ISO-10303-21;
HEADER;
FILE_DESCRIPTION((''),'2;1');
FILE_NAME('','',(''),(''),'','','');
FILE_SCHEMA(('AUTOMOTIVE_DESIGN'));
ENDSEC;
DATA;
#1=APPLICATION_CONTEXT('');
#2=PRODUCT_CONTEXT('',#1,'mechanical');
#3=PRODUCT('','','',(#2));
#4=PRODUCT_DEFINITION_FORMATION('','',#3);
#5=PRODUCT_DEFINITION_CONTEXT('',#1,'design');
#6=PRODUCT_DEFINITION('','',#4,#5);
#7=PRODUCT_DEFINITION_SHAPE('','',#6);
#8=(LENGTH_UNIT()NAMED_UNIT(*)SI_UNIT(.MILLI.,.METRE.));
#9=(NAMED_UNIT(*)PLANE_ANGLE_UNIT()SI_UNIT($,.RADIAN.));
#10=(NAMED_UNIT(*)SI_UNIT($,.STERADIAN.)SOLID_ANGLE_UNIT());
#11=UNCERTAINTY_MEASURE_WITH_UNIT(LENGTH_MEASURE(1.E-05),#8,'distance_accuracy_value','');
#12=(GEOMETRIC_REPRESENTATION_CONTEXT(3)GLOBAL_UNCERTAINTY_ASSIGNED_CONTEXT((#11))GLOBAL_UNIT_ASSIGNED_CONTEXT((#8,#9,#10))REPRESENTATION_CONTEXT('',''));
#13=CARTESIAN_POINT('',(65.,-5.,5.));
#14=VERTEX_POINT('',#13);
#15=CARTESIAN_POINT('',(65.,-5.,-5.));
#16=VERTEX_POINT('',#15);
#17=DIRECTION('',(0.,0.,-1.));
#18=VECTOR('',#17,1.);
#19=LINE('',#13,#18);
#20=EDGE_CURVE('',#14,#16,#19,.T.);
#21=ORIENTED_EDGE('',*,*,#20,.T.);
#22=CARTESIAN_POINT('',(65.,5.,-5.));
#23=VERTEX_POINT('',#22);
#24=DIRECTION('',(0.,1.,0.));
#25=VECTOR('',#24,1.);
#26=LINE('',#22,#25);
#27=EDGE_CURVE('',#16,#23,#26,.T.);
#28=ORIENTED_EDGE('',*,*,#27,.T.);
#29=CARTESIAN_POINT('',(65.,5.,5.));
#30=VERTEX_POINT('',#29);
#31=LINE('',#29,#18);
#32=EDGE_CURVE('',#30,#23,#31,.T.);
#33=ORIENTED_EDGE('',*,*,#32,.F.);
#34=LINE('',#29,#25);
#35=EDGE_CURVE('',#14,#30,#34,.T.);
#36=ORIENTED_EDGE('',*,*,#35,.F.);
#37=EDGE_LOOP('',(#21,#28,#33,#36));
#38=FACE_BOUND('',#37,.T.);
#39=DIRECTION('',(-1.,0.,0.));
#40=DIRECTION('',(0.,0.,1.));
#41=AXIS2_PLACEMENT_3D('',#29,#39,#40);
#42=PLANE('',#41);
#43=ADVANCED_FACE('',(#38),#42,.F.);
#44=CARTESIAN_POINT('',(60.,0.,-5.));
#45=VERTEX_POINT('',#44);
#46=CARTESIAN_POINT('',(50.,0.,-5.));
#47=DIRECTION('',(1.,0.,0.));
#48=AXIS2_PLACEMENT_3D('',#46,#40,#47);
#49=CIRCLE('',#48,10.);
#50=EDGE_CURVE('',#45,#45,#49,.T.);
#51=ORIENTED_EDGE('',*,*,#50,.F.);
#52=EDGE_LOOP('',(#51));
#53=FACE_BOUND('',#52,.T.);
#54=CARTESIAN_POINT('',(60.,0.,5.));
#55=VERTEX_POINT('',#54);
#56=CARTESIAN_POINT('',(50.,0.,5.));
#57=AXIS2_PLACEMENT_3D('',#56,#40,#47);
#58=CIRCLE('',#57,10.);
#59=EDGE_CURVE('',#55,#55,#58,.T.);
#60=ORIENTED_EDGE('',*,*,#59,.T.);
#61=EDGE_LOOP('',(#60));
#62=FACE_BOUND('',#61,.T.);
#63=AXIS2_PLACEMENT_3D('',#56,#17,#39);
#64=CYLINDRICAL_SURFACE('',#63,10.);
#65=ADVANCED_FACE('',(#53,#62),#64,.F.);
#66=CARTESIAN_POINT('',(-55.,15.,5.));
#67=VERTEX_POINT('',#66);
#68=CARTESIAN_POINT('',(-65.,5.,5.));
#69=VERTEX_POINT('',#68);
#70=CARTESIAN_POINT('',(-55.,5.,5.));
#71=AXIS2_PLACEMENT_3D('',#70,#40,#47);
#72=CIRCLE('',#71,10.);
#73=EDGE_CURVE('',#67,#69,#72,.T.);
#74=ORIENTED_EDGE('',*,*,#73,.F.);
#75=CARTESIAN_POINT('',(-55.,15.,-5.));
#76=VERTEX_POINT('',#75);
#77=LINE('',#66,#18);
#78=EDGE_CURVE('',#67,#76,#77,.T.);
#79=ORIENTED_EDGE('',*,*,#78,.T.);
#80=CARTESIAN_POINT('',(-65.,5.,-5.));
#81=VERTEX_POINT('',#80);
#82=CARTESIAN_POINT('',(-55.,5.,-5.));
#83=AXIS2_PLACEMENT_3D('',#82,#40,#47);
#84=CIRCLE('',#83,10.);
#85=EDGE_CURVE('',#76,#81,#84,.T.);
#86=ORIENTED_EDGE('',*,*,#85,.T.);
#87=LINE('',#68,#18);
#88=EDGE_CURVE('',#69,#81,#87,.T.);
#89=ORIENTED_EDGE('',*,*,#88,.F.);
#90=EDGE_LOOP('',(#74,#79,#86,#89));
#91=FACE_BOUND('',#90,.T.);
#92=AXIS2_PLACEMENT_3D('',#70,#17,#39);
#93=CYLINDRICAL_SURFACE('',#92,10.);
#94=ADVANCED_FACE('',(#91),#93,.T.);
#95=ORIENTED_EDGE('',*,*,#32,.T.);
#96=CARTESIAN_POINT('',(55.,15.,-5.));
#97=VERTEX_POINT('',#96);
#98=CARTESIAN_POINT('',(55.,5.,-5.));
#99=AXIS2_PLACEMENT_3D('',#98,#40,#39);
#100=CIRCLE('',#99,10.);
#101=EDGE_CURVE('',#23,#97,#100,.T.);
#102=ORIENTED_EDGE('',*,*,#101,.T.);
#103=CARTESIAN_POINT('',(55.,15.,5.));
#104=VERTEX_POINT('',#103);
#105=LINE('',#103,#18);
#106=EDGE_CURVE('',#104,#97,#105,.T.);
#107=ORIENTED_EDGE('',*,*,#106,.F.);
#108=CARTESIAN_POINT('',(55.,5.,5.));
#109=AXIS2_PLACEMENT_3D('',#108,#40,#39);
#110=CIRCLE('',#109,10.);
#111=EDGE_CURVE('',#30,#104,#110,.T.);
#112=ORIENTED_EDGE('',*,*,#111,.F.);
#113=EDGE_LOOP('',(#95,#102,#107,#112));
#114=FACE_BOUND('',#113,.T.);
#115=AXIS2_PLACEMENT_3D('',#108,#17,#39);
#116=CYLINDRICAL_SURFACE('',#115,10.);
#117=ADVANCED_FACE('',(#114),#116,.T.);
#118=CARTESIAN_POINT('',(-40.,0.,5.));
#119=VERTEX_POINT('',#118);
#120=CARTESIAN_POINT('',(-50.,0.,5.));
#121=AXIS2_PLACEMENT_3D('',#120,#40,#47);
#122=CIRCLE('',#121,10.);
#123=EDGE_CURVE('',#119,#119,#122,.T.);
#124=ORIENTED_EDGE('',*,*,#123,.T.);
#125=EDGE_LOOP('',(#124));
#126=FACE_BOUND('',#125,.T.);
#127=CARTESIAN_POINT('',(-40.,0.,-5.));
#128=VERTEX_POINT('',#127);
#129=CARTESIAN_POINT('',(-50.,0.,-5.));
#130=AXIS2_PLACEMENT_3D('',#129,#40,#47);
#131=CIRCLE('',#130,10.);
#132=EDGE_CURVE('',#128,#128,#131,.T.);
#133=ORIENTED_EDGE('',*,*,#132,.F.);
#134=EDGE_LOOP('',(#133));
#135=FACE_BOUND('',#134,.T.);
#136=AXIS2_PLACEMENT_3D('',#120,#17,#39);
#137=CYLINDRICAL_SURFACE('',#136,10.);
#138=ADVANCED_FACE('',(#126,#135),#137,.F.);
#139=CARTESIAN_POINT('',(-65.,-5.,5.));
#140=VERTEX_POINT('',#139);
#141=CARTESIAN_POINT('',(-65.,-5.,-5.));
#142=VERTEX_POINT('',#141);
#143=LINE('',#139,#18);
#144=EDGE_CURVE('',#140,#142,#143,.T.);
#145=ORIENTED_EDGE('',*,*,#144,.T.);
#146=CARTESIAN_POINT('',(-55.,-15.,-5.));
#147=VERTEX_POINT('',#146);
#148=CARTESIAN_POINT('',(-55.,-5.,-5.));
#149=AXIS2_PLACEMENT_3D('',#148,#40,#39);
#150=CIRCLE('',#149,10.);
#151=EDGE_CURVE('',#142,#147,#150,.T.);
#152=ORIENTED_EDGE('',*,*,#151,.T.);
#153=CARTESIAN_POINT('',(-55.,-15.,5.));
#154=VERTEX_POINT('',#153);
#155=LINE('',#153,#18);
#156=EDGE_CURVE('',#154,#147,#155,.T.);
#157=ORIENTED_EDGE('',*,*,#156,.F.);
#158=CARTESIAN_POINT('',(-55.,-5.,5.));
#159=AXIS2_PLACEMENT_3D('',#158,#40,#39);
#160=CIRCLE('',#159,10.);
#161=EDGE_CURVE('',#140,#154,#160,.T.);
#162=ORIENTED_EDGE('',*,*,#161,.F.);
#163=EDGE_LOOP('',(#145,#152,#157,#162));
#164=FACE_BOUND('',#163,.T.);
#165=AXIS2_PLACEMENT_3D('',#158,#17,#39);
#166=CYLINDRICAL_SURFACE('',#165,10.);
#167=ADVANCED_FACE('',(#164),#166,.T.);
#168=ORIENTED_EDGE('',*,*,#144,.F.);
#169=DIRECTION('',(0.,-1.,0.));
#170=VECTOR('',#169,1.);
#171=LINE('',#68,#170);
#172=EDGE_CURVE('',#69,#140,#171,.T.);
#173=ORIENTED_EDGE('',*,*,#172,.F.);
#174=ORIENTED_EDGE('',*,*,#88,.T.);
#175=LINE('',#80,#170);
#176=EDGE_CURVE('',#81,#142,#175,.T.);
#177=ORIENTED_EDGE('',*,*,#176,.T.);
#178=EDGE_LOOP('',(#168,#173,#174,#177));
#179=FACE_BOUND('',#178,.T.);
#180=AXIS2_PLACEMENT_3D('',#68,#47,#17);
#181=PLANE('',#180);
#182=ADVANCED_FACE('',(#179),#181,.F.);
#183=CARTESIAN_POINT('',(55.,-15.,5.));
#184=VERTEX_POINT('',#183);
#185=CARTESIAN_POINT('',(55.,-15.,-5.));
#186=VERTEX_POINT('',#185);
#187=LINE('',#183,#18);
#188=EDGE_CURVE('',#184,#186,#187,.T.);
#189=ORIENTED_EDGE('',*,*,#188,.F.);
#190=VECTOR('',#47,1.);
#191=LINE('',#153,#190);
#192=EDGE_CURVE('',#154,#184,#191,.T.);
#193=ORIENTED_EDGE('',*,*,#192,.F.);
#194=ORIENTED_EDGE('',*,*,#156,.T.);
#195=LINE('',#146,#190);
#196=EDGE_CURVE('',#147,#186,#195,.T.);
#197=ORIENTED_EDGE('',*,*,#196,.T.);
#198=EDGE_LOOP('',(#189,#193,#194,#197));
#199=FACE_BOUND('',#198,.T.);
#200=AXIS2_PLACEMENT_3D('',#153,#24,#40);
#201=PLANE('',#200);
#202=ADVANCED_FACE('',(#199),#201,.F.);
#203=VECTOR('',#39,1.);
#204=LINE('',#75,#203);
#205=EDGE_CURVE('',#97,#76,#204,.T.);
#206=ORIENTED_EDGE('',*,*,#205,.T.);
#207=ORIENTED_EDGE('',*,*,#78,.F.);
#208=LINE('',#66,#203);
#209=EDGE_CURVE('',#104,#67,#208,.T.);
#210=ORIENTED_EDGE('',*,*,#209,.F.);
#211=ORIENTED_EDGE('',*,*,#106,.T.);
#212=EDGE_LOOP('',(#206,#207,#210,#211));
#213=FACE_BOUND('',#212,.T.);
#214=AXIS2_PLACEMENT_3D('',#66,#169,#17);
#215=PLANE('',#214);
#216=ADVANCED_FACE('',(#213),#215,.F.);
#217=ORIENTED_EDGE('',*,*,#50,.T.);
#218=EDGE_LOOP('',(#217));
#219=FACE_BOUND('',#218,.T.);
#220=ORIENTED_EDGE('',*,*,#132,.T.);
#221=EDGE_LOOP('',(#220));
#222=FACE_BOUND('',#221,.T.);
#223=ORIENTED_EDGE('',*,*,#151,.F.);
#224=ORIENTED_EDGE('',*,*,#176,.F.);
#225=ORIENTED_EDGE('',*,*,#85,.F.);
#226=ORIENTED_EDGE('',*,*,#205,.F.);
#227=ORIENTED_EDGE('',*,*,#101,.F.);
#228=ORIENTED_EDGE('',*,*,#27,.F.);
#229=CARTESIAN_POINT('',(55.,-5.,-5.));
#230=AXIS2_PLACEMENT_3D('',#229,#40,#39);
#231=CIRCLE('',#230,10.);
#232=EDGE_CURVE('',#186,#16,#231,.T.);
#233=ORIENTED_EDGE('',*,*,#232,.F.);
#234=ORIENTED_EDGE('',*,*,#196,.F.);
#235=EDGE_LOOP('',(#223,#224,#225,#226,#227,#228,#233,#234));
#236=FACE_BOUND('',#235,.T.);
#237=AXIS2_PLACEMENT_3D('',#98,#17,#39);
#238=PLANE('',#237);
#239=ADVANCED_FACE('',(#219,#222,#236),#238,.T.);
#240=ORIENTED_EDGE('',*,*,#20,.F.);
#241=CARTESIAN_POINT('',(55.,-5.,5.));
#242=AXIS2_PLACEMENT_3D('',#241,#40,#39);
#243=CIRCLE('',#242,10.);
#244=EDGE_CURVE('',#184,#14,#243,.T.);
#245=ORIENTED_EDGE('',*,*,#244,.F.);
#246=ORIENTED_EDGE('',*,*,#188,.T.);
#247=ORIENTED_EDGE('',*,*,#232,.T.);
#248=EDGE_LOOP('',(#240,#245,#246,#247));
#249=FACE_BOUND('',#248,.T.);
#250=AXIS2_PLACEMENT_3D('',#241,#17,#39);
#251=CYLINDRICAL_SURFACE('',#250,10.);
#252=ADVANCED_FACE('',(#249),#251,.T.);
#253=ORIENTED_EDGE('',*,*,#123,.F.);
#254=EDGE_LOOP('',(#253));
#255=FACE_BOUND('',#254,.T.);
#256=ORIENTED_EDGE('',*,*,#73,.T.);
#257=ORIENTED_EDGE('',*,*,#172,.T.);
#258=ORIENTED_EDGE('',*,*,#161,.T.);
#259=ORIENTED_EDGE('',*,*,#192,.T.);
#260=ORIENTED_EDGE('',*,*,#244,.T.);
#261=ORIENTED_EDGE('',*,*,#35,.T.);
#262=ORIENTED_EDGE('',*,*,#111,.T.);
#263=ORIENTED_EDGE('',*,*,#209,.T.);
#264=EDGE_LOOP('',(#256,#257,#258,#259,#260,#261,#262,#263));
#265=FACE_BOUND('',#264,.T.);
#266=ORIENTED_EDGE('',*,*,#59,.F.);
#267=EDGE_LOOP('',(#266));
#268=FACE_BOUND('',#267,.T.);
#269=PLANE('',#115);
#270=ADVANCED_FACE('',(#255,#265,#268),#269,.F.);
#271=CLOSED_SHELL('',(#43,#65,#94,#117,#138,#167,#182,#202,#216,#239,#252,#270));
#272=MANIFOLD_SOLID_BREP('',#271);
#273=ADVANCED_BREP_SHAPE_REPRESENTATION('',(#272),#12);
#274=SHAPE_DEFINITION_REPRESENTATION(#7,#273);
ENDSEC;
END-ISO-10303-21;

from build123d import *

# Parameters (mm, degrees)
CROQUIS1_R              = 10
SALIENTE_EXTRUIR1_DEPTH = 5


with BuildPart() as part:
    # Croquis1 → Saliente-Extruir1 (new body, symmetric)
    with BuildSketch(Plane.XY):
        with BuildLine():
            Line((-55, 15), (55, 15))
            ThreePointArc((55, 15), (62.071067812, 12.071067812), (65, 5))
            Line((65, 5), (65, -5))
            ThreePointArc((65, -5), (62.071067812, -12.071067812), (55, -15))
            Line((55, -15), (-55, -15))
            ThreePointArc((-55, -15), (-62.071067812, -12.071067812), (-65, -5))
            Line((-65, -5), (-65, 5))
            ThreePointArc((-65, 5), (-62.071067812, 12.071067812), (-55, 15))
        make_face()
        with Locations((-50, 0)):
            Circle(CROQUIS1_R, mode=Mode.SUBTRACT)
        with Locations((50, 0)):
            Circle(CROQUIS1_R, mode=Mode.SUBTRACT)
    extrude(amount=SALIENTE_EXTRUIR1_DEPTH, both=True)


solid = part.part
